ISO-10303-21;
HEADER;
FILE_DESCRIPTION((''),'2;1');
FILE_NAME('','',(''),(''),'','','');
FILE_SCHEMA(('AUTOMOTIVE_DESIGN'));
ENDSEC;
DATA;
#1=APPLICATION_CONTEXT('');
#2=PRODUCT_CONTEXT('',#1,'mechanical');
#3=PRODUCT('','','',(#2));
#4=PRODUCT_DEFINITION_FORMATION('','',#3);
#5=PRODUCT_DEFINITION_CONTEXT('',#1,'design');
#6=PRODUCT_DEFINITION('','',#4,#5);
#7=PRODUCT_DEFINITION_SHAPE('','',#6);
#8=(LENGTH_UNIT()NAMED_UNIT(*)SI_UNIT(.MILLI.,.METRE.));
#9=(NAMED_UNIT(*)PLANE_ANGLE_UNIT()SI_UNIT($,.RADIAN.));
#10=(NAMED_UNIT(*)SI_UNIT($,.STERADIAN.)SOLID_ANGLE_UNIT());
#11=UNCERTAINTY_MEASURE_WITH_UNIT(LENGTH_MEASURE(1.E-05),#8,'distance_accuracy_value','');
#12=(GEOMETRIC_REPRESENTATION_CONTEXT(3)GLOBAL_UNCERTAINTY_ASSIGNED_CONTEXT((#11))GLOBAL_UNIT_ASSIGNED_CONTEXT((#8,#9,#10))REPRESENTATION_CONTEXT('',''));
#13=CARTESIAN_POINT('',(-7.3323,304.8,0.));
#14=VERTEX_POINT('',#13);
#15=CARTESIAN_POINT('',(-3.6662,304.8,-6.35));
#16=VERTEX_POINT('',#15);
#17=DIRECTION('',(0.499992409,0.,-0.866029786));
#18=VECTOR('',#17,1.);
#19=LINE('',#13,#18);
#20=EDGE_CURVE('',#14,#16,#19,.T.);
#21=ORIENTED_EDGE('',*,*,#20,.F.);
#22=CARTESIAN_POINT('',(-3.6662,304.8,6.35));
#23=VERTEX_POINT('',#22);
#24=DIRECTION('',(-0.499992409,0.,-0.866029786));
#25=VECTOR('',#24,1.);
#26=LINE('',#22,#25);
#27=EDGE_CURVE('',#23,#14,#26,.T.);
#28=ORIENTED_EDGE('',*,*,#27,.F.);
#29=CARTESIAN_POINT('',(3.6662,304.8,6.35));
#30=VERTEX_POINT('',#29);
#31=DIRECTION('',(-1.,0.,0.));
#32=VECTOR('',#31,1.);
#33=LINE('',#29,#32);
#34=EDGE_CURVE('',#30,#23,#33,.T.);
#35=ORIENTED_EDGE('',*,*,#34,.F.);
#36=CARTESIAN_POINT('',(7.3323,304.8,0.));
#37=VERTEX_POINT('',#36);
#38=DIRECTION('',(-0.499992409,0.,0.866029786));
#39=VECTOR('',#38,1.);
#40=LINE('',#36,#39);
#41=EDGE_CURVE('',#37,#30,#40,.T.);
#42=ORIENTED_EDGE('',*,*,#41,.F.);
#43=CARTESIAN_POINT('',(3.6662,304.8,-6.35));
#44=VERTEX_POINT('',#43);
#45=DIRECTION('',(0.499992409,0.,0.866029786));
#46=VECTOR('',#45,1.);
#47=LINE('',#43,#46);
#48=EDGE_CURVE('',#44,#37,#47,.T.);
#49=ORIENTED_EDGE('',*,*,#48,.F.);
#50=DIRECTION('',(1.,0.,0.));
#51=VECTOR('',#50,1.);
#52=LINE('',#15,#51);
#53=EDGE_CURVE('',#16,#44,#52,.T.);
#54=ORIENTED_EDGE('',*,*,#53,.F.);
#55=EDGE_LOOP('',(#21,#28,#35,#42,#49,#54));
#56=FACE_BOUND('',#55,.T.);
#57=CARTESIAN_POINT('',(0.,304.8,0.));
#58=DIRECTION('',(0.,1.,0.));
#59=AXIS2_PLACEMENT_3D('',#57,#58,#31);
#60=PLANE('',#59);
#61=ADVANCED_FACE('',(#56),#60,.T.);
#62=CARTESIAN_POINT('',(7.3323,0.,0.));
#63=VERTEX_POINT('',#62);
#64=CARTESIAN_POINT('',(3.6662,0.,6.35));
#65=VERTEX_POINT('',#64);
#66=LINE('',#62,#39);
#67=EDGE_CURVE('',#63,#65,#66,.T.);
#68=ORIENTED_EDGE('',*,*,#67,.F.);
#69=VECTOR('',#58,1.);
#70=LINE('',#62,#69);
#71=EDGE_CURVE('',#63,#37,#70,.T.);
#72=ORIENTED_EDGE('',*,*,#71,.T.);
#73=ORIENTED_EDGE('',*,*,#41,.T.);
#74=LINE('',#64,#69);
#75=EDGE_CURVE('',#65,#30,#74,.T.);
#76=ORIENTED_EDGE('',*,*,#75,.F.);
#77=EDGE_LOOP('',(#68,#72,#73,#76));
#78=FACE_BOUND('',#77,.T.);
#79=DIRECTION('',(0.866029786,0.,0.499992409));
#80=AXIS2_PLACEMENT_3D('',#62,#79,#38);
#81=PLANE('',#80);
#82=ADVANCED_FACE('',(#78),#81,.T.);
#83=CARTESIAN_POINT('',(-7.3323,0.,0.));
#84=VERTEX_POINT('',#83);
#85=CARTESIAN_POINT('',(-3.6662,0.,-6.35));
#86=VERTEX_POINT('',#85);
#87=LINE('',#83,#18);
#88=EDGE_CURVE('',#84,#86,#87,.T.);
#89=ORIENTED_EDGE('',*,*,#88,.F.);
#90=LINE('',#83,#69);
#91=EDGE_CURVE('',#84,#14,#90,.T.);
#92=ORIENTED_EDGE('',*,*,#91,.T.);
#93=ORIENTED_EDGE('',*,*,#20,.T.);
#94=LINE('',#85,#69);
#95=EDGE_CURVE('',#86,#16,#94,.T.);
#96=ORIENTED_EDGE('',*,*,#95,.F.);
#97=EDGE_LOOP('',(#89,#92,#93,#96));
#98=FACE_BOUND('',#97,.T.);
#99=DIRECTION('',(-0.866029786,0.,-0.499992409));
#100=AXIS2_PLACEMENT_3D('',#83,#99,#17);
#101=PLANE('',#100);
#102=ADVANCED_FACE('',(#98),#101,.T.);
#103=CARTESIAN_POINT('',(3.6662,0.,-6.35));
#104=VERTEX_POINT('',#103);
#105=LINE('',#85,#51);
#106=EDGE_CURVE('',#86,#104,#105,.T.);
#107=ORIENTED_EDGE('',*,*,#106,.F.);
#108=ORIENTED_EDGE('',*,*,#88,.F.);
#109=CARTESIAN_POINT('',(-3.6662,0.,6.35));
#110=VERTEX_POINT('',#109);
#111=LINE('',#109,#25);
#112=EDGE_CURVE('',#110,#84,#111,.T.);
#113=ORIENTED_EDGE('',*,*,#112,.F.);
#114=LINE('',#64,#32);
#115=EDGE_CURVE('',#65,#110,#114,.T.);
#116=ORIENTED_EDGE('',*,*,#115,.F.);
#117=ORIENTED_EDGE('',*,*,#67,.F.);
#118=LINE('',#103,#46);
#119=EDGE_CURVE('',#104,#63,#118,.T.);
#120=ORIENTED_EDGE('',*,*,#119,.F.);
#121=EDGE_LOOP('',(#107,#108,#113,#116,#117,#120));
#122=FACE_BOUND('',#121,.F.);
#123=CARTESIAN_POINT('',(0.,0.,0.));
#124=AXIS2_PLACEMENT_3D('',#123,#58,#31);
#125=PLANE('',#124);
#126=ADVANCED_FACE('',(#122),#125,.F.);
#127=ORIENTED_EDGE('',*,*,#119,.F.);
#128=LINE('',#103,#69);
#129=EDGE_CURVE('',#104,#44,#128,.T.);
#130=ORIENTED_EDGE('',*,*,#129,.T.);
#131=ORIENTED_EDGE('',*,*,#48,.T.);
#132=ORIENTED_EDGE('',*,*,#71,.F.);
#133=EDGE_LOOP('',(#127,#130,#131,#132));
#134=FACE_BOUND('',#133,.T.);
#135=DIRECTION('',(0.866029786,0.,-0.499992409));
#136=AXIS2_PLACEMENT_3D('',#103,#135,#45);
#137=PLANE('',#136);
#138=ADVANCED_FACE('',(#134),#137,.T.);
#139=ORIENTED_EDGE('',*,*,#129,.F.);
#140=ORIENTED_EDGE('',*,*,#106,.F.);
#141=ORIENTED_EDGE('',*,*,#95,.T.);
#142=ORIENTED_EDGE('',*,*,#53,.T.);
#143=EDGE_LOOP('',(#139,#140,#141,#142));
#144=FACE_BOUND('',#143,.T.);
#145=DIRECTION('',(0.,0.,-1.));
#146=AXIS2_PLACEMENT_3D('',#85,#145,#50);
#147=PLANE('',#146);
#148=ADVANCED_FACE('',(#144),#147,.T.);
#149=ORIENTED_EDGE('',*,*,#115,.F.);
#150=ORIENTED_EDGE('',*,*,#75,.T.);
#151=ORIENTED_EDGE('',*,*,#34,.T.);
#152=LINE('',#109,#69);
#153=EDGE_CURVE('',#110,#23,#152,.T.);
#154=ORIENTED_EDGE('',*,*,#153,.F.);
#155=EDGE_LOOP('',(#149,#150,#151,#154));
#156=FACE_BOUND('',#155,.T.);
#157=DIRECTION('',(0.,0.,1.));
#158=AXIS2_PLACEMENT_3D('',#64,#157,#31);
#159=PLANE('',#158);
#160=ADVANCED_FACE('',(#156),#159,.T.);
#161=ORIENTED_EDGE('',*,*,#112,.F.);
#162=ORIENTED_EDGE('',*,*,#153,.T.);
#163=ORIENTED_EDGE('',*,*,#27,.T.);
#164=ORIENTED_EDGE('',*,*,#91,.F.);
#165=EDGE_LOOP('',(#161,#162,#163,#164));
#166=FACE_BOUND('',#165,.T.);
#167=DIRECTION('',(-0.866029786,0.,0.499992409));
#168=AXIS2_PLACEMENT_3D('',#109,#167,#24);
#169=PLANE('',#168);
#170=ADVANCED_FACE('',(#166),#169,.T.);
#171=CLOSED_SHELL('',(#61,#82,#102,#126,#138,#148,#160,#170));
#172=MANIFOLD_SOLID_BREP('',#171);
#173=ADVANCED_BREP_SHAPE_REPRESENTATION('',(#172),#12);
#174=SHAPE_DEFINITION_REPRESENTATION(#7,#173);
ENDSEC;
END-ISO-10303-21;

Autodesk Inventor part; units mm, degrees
ref_plane "YZ Plane" through (0, 0, 0) normal (1, 0, 0) x (0, 1, 0)
ref_plane "XZ Plane" through (0, 0, 0) normal (0, 1, 0) x (-1, 0, 0)
ref_plane "XY Plane" through (0, 0, 0) normal (0, 0, 1) x (1, 0, 0)
sketch "Sketch1" plane through (0, 0, 0) normal (0, 1, 0) x (-1, 0, 0)
  line L0 (-3.6662, -6.35) -> (-7.3323, 0)
  line L1 (-7.3323, 0) -> (-3.6662, 6.35)
  line L2 (-3.6662, 6.35) -> (3.6662, 6.35)
  line L3 (3.6662, 6.35) -> (7.3323, 0)
  line L4 (7.3323, 0) -> (3.6662, -6.35)
  line L5 (3.6662, -6.35) -> (-3.6662, -6.35)
  point P0 (0, 0)
  point P1 (0, 0)
  dimension "d0" = 12.7
extrude "Extrusion1" add sketch "Sketch1" along normal blind 304.8
properties part number "hexShaft"
